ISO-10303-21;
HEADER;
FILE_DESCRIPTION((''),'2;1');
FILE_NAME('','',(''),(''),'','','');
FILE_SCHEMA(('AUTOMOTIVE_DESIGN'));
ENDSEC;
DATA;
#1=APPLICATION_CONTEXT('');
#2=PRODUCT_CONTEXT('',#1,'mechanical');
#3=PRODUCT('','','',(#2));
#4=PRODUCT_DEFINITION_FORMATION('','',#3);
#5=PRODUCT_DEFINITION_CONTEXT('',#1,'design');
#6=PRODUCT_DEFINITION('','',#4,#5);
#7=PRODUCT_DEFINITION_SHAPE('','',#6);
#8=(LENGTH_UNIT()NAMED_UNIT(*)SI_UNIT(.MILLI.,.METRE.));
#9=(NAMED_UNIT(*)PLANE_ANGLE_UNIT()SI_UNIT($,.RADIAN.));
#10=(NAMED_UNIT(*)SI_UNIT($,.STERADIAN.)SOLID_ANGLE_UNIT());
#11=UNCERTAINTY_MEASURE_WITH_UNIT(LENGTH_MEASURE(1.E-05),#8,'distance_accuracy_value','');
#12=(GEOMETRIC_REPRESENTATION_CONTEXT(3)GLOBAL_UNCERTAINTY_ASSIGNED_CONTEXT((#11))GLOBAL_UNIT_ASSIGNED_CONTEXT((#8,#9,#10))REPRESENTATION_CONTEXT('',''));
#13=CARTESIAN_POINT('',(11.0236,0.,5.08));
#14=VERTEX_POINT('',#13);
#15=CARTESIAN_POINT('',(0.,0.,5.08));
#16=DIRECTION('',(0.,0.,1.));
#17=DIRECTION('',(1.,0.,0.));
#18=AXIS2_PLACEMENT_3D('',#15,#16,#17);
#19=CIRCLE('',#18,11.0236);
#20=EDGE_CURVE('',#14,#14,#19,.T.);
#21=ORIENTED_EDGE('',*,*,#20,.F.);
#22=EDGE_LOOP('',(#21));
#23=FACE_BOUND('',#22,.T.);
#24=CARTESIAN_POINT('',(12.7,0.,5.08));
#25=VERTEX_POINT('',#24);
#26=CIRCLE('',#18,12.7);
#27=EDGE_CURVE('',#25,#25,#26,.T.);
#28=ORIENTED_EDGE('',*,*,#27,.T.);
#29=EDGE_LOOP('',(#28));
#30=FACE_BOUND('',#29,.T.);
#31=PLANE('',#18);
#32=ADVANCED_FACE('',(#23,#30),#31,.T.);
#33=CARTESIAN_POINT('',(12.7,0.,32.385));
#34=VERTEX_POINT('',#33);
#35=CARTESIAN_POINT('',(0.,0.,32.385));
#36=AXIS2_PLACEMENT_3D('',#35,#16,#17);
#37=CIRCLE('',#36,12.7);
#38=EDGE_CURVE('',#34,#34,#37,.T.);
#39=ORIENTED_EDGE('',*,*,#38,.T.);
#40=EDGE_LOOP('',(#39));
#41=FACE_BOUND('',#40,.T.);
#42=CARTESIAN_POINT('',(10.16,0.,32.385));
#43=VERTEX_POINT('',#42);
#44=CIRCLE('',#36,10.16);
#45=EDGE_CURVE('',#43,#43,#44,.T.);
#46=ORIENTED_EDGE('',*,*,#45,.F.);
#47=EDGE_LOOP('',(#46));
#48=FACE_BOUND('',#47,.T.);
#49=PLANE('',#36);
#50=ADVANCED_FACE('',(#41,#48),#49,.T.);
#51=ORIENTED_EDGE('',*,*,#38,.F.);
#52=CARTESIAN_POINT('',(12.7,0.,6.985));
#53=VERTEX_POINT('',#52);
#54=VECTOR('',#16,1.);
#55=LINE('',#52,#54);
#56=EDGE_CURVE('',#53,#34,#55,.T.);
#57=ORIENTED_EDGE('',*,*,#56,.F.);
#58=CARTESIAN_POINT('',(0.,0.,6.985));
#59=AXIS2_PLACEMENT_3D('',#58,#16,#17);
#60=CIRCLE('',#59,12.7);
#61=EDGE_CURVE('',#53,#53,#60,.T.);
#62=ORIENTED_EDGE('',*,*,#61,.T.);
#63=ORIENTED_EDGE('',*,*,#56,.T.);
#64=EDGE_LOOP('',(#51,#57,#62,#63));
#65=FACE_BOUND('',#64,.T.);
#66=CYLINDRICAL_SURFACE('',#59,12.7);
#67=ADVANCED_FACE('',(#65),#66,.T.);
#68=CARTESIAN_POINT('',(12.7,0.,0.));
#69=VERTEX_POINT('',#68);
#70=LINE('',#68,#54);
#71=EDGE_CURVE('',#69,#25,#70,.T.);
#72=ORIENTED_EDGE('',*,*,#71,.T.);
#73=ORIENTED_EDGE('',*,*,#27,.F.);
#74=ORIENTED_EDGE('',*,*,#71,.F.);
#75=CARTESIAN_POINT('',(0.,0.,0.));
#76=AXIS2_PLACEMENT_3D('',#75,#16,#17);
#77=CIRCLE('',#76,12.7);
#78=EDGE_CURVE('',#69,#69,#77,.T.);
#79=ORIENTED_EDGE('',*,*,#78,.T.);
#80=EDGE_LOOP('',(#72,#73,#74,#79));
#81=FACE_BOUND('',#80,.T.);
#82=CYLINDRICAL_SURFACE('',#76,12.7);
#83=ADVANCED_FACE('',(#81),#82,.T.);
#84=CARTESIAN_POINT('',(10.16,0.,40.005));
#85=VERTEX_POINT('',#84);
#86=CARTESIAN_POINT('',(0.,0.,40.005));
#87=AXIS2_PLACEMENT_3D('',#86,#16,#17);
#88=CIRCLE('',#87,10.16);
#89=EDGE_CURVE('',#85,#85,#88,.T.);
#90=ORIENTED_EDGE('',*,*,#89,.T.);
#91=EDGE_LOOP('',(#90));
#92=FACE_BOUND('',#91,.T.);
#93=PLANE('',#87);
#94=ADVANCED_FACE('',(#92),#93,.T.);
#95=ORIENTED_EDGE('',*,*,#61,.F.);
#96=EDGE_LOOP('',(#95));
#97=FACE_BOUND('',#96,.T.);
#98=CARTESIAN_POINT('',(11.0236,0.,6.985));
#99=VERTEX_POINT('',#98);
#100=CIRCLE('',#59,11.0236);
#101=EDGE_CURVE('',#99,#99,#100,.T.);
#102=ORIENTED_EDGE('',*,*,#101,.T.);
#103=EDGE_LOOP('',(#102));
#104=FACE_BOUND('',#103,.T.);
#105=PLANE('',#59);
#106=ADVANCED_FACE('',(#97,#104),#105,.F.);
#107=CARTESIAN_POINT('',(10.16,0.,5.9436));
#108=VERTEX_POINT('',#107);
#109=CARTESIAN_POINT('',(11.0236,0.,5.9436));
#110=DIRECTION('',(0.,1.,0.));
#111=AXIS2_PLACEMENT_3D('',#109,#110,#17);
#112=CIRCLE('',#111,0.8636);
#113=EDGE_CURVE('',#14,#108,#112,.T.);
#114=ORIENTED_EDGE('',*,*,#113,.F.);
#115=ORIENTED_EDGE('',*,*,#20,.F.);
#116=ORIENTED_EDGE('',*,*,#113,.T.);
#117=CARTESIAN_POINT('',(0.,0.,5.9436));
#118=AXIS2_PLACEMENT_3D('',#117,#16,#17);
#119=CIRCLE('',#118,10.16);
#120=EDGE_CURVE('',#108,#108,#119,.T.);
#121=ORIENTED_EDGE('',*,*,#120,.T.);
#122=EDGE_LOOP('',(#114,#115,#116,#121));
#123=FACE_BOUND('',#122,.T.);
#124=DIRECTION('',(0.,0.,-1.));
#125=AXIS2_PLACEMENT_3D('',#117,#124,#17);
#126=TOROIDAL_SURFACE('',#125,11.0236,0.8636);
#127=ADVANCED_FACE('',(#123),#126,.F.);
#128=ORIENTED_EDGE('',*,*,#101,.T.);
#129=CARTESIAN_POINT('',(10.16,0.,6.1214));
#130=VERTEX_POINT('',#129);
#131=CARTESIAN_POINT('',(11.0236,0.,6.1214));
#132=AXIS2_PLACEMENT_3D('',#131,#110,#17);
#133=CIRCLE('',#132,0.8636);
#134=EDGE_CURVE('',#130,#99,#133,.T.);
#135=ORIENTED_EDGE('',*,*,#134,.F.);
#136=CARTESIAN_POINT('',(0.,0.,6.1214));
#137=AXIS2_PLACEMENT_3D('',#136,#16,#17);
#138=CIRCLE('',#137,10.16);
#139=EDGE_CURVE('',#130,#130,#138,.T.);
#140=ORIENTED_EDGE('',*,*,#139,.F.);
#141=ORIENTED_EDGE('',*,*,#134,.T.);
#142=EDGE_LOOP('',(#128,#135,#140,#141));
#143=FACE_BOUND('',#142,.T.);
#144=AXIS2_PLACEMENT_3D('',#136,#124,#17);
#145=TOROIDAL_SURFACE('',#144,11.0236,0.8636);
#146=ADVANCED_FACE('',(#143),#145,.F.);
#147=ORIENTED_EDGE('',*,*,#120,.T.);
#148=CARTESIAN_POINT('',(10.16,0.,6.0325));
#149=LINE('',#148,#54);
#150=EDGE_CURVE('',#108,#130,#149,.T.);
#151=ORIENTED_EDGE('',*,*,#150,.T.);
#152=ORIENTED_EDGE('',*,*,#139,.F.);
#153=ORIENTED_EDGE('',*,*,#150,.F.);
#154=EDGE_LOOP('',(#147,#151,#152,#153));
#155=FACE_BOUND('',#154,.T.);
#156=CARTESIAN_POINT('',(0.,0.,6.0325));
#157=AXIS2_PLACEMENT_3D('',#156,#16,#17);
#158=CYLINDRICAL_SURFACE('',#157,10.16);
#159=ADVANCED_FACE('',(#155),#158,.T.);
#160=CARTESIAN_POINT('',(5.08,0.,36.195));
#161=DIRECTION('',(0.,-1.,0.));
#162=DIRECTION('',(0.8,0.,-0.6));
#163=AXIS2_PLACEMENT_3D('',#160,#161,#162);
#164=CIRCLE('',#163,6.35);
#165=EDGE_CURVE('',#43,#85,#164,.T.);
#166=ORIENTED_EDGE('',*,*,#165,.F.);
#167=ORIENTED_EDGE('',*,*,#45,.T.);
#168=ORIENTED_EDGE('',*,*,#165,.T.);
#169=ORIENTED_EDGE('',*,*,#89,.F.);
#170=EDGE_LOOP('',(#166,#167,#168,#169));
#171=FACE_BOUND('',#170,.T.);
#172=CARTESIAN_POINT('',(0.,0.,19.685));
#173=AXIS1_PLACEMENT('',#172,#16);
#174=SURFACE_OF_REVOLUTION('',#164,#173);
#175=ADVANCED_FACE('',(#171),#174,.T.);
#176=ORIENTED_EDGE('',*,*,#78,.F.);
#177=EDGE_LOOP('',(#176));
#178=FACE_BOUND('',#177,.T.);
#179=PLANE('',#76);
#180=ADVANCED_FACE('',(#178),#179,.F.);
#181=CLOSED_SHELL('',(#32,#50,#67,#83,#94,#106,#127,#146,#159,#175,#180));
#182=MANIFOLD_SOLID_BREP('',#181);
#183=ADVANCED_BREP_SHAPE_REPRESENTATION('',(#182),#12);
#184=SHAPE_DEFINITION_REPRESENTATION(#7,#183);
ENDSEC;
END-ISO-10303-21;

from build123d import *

# Parameters (mm, degrees)
F0_W = 10.16
F0_H = 1.905
F2_R = 0.8636


with BuildPart() as f1:
    # F0 (on Front) → F1 (revolve)
    with BuildSketch(Plane.XZ):
        with BuildLine():
            Line((0, 40.005), (0, 32.385))
            Line((0, 32.385), (10.16, 32.385))
            ThreePointArc((10.16, 32.385), (11.43, 36.195), (10.16, 40.005))
            Line((10.16, 40.005), (0, 40.005))
        make_face()
        Polygon((0, 32.385), (0, 6.985), (10.16, 6.985), (12.7, 6.985), (12.7, 32.385), (10.16, 32.385), align=None)
        with Locations((5.08, 6.0325)):
            Rectangle(F0_W, F0_H)
        Polygon((0, 5.08), (0, 0), (12.7, 0), (12.7, 5.08), (10.16, 5.08), align=None)
    revolve(axis=Axis((0, 0, 19.685), (0, 0, 1)))

    # F2
    f2_edges = [f1.edges().sort_by_distance(p)[0] for p in [
        (-10.16, 0, 6.985),
        (-10.16, 0, 5.08),
    ]]
    fillet(f2_edges, radius=F2_R)


solid = f1.part
